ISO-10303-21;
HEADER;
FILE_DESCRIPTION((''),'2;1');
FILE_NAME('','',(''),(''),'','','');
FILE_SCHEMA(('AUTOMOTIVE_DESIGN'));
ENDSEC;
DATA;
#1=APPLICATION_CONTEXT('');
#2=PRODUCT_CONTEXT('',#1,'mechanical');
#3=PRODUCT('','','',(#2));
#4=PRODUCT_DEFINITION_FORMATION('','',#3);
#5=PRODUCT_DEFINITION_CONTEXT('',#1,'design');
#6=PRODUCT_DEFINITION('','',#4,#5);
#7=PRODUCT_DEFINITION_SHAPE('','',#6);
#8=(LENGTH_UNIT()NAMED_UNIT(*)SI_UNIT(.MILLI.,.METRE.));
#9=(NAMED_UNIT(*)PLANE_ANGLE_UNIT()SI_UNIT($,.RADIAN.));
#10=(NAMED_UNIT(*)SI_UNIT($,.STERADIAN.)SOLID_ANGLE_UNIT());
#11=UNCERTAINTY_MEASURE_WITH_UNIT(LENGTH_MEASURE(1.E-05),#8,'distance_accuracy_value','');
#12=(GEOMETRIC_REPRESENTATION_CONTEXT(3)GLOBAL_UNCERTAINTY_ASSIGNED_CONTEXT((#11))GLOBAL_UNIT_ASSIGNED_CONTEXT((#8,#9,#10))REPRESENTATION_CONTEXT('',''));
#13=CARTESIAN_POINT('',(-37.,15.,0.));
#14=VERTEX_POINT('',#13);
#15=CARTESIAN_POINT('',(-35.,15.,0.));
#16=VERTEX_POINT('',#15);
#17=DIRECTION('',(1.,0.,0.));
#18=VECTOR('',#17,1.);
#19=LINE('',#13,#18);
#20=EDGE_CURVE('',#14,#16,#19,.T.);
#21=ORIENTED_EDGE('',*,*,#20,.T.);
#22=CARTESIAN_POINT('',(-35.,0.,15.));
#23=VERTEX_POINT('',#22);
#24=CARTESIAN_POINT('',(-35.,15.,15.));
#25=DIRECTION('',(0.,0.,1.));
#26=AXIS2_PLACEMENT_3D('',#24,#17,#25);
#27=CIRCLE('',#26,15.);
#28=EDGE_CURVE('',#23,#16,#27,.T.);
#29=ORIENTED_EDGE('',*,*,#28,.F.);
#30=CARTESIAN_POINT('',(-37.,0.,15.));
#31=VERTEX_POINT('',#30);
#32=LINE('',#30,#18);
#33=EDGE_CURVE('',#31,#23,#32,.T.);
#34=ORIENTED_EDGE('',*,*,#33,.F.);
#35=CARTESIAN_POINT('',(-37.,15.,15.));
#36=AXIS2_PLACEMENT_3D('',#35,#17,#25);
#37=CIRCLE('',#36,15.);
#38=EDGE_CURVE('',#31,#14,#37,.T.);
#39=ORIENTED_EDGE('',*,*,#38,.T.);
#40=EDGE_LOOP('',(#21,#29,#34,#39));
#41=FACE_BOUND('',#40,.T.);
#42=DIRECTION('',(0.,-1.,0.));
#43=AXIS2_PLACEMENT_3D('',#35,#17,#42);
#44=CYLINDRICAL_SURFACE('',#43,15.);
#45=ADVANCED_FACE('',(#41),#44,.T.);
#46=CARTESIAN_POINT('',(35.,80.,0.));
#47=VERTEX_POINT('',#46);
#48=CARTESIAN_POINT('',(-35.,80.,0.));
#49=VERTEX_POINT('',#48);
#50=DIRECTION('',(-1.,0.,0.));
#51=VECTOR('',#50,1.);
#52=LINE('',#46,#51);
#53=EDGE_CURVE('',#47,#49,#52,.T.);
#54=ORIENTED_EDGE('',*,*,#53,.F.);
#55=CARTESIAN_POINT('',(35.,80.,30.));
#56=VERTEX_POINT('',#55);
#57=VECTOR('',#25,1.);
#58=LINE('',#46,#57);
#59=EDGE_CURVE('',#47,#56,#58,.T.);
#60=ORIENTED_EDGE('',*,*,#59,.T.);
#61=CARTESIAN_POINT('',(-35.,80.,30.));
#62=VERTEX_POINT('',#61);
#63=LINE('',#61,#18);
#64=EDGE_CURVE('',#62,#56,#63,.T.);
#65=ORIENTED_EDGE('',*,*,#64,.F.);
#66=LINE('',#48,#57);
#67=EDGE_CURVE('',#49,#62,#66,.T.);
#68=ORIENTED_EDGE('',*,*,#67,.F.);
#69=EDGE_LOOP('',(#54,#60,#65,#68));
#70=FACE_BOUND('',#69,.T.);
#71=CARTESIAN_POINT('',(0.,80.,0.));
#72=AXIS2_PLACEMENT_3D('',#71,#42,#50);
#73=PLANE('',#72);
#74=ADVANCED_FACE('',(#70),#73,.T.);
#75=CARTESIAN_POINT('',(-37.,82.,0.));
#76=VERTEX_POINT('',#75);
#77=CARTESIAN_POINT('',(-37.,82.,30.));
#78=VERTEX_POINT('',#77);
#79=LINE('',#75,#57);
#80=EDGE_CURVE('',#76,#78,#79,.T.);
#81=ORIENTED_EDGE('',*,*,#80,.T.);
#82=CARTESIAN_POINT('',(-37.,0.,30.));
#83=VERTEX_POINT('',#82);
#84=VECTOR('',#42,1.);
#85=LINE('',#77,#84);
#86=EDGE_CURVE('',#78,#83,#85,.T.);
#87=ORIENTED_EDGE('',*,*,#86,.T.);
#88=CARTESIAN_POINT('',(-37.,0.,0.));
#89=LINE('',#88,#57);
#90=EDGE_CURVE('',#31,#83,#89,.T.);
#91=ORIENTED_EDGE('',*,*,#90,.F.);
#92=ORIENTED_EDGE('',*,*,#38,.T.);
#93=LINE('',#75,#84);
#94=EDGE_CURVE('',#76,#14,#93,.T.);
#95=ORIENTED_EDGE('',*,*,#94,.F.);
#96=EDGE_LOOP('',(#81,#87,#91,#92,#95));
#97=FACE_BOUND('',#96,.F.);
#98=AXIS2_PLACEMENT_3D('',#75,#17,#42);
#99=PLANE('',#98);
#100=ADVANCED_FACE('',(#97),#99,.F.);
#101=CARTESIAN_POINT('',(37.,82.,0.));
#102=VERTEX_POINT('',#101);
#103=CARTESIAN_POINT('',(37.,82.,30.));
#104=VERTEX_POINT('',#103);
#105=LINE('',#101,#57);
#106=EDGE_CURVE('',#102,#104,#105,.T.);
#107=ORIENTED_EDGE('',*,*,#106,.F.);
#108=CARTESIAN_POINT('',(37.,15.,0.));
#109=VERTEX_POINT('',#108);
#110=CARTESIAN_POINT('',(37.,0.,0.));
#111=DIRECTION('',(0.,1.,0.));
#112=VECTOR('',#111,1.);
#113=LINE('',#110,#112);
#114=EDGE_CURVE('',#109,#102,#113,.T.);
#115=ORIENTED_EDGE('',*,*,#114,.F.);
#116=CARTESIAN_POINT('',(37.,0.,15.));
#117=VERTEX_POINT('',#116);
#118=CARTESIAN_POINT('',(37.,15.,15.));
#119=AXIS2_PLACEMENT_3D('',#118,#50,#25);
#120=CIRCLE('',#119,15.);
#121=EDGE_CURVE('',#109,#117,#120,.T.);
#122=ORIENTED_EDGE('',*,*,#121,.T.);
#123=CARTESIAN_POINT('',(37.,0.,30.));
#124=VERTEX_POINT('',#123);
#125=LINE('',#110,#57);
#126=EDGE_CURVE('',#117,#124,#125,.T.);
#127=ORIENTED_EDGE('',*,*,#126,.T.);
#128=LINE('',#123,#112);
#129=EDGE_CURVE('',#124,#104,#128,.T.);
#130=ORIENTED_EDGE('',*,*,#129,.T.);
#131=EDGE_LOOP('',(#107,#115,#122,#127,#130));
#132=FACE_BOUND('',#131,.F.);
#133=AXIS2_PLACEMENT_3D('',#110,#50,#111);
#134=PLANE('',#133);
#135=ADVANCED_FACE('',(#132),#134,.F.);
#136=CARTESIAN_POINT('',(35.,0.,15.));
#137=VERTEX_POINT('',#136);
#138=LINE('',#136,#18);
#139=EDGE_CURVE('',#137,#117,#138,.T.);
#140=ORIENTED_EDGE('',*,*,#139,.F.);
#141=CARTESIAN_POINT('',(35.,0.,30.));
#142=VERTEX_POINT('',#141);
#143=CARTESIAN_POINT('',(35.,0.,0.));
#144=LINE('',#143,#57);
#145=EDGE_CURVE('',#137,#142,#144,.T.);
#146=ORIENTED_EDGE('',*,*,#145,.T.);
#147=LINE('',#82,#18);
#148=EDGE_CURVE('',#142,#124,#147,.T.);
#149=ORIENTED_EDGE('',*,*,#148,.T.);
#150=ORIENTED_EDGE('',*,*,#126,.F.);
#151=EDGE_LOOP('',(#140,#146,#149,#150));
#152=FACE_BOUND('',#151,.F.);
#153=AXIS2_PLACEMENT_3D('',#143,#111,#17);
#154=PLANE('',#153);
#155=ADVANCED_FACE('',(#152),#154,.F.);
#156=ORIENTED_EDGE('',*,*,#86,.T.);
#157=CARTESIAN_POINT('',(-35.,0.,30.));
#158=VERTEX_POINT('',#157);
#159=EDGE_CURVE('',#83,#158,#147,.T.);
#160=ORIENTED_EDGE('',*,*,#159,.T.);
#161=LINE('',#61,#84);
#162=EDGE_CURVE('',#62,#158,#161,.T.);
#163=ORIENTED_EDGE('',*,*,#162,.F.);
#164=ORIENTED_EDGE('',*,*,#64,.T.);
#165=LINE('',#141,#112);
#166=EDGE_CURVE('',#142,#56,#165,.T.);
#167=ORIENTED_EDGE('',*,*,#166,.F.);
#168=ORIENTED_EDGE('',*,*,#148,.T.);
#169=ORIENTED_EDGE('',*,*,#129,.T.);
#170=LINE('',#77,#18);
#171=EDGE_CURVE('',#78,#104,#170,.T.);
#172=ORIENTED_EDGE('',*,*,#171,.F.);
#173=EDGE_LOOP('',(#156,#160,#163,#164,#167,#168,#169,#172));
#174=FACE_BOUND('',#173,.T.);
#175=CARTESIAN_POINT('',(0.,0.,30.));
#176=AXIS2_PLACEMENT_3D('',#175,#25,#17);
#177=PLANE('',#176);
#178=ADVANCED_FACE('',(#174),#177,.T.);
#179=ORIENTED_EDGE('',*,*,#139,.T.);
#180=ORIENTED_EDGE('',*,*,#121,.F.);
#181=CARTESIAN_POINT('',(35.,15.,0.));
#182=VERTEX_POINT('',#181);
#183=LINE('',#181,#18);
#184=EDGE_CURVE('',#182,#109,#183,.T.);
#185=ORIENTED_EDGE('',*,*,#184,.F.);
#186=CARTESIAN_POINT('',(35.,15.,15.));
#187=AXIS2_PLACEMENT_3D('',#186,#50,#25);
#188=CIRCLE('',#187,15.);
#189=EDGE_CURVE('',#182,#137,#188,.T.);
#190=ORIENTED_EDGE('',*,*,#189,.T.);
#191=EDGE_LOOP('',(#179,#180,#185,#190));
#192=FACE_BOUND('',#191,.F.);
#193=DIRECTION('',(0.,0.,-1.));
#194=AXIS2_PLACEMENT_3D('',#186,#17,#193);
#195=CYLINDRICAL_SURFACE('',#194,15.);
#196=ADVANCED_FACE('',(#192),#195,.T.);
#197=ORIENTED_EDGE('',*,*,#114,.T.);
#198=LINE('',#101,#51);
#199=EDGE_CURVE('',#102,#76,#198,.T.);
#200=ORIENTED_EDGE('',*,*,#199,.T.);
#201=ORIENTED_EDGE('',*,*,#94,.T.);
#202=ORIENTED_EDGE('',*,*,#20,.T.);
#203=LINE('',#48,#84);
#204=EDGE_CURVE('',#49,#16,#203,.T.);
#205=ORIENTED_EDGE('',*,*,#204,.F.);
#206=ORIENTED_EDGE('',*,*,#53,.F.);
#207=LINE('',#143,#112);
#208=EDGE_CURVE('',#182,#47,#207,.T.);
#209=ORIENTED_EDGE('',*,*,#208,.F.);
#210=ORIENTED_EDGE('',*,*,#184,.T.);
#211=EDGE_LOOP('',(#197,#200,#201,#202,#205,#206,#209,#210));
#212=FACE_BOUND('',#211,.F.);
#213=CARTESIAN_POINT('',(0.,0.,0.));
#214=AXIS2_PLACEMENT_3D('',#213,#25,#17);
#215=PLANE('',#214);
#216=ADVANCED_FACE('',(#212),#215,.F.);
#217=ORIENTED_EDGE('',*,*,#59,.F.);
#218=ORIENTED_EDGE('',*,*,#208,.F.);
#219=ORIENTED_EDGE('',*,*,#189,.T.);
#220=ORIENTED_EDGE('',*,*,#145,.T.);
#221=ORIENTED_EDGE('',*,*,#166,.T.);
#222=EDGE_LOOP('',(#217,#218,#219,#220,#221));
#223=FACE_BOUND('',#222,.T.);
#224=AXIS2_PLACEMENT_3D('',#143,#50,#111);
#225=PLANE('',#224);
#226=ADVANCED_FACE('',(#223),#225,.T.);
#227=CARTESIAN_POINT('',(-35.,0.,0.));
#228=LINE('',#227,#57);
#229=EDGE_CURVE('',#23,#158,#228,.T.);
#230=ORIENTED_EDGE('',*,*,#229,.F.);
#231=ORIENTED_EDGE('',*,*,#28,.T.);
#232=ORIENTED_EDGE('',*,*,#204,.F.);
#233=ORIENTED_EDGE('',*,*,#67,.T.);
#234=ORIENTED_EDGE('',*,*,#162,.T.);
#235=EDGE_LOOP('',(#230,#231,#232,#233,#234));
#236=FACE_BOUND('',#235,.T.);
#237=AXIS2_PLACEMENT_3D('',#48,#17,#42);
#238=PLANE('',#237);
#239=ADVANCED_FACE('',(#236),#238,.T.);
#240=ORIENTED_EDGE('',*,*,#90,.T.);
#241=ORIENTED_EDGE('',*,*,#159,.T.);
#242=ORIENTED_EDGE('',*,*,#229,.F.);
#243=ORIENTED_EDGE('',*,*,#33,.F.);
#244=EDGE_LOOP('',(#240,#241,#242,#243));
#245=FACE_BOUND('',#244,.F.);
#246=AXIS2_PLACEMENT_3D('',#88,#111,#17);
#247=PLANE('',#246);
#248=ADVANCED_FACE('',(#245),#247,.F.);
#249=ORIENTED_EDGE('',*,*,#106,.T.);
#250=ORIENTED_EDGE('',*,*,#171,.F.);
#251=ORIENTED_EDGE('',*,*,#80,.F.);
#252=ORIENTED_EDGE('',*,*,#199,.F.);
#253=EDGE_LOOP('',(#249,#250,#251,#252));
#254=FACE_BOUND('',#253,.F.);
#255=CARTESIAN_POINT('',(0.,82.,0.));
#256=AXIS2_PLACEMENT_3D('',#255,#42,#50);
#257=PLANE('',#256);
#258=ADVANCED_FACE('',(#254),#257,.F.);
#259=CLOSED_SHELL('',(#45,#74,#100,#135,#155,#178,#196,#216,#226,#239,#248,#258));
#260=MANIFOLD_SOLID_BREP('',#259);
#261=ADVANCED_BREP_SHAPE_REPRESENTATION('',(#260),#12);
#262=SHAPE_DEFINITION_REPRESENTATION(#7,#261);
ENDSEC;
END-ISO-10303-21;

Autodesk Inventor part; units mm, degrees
ref_plane "YZ Plane" through (0, 0, 0) normal (1, 0, 0) x (0, 1, 0)
ref_plane "XZ Plane" through (0, 0, 0) normal (0, 1, 0) x (-1, 0, 0)
ref_plane "XY Plane" through (0, 0, 0) normal (0, 0, 1) x (1, 0, 0)
sketch "Эскиз1" plane through (0, 0, 0) normal (0, 0, 1) x (1, 0, 0)
  line L0 (-37, 0) -> (37, 0)
  line L1 (37, 0) -> (37, 82)
  line L2 (37, 82) -> (-37, 82)
  line L3 (-37, 82) -> (-37, 0)
  line L4 (-35, 0) -> (35, 0)
  line L5 (35, 0) -> (35, 80)
  line L6 (35, 80) -> (-35, 80)
  line L7 (-35, 80) -> (-35, 0)
  line L8 (0, -16.4) -> (0, 98.4) projected
  point P0 (0, 0)
  dimension "d0" = 70
  dimension "d1" = 80
  dimension "d2" = 2
  dimension "d3" = 2
  dimension "d4" = 2
extrude "Выдавливание1" add sketch "Эскиз1" along normal blind 30 contours L3 L2 L8 L6 L7 L0 | L2 L1 L0 L5 L6 L8
fillet "Сопряжение1" radius 15 2 edges at (36, 0, 0) (-36, 0, 0)
properties part number "выступ АКБ"
